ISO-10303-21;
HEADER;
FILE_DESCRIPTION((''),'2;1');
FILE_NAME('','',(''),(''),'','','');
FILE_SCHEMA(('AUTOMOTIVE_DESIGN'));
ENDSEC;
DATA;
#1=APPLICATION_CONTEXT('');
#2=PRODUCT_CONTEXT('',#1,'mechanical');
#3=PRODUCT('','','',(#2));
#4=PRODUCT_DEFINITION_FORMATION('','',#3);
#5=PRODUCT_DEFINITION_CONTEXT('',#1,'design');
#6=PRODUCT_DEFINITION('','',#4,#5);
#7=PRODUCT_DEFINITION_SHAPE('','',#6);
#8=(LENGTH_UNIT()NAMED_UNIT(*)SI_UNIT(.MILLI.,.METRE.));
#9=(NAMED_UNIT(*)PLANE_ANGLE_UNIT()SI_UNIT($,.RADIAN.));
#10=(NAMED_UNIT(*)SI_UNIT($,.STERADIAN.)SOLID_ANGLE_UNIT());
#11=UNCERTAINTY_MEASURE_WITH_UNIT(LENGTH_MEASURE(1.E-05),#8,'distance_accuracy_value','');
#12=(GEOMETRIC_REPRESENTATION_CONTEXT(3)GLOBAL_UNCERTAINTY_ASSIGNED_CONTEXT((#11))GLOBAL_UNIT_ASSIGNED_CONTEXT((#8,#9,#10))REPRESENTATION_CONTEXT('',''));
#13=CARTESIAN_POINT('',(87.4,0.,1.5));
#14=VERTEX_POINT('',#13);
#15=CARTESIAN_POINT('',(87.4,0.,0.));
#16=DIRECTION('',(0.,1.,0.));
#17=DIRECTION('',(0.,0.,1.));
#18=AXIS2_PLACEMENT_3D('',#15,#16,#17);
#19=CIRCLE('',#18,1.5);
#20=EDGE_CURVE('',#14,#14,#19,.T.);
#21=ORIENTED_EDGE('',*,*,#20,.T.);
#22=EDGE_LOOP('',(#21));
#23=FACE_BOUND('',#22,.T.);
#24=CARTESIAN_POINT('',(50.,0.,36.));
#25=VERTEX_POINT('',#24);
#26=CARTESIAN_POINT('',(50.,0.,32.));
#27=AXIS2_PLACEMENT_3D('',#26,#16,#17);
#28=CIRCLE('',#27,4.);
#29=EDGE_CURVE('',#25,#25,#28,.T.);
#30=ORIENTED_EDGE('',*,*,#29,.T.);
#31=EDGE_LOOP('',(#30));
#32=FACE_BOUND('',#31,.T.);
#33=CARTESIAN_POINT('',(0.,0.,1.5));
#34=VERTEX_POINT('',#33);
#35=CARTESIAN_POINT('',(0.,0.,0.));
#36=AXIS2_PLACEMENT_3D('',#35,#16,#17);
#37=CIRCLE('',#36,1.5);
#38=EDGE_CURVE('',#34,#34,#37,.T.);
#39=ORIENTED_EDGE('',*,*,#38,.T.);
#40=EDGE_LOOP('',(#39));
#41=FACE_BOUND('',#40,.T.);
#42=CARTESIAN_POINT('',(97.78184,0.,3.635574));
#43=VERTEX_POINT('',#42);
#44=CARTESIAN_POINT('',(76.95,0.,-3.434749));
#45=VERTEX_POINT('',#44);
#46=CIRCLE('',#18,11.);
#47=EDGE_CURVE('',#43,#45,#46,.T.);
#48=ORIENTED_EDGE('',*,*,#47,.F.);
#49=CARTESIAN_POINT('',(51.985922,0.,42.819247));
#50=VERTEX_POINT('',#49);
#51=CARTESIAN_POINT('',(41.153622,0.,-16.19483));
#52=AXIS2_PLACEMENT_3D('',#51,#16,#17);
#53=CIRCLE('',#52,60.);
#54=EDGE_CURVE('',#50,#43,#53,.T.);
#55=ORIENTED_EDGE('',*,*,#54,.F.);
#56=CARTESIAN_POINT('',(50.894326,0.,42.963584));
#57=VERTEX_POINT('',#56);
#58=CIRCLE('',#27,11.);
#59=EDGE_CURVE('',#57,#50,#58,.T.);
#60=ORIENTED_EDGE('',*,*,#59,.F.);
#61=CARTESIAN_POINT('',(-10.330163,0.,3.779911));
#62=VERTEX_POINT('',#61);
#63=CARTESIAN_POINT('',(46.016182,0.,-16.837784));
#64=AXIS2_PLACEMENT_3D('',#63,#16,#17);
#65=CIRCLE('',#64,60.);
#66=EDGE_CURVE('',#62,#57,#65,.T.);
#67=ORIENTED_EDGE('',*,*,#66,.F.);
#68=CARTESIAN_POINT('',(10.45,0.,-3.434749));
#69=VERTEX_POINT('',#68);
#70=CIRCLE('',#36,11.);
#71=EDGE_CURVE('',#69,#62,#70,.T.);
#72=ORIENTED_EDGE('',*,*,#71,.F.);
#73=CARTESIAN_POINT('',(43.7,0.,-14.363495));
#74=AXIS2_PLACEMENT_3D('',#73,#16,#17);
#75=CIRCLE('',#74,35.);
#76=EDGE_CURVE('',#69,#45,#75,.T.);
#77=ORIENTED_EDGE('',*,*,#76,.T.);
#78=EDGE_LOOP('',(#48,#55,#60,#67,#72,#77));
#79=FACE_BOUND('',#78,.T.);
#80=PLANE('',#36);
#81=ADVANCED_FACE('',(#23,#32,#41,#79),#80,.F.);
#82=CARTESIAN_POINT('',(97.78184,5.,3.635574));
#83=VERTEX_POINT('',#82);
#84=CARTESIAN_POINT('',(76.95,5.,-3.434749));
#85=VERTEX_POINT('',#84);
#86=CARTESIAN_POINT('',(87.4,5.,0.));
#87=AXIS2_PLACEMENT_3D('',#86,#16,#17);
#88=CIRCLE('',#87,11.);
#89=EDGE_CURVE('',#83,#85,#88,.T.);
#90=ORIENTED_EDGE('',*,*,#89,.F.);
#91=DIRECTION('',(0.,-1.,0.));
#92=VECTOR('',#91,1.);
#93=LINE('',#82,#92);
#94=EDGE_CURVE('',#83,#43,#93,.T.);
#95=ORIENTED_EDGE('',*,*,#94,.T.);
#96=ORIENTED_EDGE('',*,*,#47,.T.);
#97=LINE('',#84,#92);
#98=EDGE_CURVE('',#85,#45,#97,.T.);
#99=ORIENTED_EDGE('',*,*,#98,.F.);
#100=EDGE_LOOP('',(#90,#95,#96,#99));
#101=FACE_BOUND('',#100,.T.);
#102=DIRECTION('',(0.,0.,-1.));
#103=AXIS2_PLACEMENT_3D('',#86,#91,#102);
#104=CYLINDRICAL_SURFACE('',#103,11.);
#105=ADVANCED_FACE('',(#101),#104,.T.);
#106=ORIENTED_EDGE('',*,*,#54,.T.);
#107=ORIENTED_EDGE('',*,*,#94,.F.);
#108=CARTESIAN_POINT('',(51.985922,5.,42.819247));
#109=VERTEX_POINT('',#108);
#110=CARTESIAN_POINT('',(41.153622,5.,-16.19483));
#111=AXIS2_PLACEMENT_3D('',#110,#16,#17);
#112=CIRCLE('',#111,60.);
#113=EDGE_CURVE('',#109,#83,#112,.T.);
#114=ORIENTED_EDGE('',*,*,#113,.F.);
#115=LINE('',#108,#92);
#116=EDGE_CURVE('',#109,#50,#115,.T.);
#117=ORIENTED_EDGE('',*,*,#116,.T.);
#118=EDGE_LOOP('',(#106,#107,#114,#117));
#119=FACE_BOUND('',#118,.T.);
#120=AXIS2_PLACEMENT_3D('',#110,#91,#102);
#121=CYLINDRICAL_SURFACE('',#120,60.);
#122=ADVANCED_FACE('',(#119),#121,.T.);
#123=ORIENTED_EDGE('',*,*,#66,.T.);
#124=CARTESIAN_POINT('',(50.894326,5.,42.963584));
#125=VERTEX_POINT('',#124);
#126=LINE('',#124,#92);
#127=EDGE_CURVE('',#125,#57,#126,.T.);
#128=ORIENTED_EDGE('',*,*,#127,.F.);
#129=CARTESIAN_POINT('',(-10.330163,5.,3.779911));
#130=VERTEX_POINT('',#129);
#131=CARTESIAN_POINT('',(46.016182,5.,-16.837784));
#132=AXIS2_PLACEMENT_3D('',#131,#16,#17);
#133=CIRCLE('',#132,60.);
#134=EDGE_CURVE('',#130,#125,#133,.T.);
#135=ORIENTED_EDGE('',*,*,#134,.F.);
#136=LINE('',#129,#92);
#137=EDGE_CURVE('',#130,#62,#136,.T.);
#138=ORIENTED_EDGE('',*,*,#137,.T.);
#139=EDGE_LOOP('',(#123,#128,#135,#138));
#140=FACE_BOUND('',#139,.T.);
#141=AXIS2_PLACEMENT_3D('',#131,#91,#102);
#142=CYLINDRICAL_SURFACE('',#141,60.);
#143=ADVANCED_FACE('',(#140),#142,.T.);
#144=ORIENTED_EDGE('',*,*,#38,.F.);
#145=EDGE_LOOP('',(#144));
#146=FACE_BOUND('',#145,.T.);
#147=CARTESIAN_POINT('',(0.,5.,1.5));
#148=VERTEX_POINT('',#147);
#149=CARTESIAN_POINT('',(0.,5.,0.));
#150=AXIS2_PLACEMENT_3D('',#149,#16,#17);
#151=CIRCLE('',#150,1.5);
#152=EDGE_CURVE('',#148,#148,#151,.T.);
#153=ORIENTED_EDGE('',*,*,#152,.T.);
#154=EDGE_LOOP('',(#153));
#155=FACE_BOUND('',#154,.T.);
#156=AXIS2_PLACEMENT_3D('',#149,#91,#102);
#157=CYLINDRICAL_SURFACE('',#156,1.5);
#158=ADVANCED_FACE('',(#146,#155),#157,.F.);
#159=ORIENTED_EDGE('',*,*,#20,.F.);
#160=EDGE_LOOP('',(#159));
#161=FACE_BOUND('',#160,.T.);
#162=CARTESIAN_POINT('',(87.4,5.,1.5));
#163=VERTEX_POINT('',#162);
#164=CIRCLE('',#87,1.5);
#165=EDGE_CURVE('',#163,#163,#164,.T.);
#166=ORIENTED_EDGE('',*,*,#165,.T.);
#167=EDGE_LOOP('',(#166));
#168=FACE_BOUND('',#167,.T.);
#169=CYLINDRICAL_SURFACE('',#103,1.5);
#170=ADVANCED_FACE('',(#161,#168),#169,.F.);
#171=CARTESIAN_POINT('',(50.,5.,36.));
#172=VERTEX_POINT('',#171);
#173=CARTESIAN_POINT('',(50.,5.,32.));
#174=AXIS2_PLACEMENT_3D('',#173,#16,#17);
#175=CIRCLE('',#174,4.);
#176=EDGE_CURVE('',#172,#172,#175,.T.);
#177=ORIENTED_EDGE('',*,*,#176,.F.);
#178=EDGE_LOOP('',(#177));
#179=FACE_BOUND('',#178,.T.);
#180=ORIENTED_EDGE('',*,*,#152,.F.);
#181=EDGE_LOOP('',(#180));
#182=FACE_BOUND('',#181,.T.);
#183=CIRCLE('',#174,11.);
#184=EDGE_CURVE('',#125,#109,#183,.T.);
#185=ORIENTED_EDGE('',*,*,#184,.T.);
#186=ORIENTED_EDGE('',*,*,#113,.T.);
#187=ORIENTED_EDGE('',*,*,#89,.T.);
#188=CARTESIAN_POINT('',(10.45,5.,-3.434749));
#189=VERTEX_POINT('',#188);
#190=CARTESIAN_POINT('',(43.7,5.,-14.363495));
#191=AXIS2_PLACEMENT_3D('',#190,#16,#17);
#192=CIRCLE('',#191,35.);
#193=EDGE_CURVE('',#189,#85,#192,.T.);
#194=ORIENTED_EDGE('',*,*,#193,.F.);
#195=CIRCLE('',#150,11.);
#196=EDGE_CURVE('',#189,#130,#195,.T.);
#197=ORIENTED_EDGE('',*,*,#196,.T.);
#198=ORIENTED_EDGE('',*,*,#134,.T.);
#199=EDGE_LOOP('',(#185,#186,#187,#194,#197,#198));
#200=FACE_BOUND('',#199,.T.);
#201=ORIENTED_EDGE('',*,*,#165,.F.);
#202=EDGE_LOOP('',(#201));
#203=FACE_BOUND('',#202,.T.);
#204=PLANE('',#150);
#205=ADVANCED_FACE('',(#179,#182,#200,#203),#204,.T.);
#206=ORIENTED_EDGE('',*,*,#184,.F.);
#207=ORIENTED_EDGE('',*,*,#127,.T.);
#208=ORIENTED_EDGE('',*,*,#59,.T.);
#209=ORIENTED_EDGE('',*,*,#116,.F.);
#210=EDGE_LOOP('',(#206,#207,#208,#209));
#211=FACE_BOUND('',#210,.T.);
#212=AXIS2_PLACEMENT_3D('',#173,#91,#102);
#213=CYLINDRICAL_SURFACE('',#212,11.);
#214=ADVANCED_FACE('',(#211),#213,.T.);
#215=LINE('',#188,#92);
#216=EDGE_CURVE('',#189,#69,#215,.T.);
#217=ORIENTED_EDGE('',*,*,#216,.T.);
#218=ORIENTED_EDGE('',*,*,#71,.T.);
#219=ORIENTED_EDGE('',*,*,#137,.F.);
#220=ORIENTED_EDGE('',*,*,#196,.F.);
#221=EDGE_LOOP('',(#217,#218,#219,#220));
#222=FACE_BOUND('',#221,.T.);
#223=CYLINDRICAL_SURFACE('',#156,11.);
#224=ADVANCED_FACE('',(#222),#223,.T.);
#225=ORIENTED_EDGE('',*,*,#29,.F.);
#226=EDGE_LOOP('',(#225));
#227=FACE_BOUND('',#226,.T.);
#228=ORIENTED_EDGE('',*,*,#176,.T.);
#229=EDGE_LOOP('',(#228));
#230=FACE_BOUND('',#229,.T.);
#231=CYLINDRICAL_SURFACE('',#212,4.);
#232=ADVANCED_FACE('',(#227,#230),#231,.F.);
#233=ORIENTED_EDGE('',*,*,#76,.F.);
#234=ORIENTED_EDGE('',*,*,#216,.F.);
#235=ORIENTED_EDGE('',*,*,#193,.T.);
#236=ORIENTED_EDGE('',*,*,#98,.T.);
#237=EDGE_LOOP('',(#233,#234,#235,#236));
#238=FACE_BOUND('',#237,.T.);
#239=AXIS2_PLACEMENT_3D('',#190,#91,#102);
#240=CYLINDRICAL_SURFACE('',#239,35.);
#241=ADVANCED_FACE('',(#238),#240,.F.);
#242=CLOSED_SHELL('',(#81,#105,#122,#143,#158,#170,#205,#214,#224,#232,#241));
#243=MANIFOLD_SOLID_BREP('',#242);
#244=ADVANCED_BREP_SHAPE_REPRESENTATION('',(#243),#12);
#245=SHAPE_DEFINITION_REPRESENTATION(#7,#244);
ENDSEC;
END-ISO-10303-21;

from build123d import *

# Parameters (mm, degrees)
SKETCH2_R           = 4
SKETCH2_R_2         = 1.5
BOSS_EXTRUDE1_DEPTH = 5


with BuildPart() as part:
    # Sketch2 → Boss-Extrude1 (new body)
    with BuildSketch(Plane(origin=(0, 0, 0), x_dir=(1, 0, 0), z_dir=(0, 1, 0))):
        with BuildLine():
            ThreePointArc((76.95, 3.434748899), (43.7, -20.636504604), (10.45, 3.434748899))
            ThreePointArc((10.45, 3.434748899), (-3.607827445, 10.391514862), (-10.330163324, -3.779910806))
            ThreePointArc((-10.330163324, -3.779910806), (13.672960294, -33.698499541), (50.894326472, -42.963584275))
            ThreePointArc((50.894326472, -42.963584275), (51.441931195, -42.905082963), (51.985921637, -42.819247444))
            ThreePointArc((51.985921637, -42.819247444), (80.160934451, -29.394967139), (97.781840004, -3.635573974))
            ThreePointArc((97.781840004, -3.635573974), (90.935325704, 10.416403994), (76.95, 3.434748899))
        make_face()
        with Locations((50, -32)):
            Circle(SKETCH2_R, mode=Mode.SUBTRACT)
        Circle(SKETCH2_R_2, mode=Mode.SUBTRACT)
        with Locations((87.4, 0)):
            Circle(SKETCH2_R_2, mode=Mode.SUBTRACT)
    extrude(amount=BOSS_EXTRUDE1_DEPTH)


solid = part.part
